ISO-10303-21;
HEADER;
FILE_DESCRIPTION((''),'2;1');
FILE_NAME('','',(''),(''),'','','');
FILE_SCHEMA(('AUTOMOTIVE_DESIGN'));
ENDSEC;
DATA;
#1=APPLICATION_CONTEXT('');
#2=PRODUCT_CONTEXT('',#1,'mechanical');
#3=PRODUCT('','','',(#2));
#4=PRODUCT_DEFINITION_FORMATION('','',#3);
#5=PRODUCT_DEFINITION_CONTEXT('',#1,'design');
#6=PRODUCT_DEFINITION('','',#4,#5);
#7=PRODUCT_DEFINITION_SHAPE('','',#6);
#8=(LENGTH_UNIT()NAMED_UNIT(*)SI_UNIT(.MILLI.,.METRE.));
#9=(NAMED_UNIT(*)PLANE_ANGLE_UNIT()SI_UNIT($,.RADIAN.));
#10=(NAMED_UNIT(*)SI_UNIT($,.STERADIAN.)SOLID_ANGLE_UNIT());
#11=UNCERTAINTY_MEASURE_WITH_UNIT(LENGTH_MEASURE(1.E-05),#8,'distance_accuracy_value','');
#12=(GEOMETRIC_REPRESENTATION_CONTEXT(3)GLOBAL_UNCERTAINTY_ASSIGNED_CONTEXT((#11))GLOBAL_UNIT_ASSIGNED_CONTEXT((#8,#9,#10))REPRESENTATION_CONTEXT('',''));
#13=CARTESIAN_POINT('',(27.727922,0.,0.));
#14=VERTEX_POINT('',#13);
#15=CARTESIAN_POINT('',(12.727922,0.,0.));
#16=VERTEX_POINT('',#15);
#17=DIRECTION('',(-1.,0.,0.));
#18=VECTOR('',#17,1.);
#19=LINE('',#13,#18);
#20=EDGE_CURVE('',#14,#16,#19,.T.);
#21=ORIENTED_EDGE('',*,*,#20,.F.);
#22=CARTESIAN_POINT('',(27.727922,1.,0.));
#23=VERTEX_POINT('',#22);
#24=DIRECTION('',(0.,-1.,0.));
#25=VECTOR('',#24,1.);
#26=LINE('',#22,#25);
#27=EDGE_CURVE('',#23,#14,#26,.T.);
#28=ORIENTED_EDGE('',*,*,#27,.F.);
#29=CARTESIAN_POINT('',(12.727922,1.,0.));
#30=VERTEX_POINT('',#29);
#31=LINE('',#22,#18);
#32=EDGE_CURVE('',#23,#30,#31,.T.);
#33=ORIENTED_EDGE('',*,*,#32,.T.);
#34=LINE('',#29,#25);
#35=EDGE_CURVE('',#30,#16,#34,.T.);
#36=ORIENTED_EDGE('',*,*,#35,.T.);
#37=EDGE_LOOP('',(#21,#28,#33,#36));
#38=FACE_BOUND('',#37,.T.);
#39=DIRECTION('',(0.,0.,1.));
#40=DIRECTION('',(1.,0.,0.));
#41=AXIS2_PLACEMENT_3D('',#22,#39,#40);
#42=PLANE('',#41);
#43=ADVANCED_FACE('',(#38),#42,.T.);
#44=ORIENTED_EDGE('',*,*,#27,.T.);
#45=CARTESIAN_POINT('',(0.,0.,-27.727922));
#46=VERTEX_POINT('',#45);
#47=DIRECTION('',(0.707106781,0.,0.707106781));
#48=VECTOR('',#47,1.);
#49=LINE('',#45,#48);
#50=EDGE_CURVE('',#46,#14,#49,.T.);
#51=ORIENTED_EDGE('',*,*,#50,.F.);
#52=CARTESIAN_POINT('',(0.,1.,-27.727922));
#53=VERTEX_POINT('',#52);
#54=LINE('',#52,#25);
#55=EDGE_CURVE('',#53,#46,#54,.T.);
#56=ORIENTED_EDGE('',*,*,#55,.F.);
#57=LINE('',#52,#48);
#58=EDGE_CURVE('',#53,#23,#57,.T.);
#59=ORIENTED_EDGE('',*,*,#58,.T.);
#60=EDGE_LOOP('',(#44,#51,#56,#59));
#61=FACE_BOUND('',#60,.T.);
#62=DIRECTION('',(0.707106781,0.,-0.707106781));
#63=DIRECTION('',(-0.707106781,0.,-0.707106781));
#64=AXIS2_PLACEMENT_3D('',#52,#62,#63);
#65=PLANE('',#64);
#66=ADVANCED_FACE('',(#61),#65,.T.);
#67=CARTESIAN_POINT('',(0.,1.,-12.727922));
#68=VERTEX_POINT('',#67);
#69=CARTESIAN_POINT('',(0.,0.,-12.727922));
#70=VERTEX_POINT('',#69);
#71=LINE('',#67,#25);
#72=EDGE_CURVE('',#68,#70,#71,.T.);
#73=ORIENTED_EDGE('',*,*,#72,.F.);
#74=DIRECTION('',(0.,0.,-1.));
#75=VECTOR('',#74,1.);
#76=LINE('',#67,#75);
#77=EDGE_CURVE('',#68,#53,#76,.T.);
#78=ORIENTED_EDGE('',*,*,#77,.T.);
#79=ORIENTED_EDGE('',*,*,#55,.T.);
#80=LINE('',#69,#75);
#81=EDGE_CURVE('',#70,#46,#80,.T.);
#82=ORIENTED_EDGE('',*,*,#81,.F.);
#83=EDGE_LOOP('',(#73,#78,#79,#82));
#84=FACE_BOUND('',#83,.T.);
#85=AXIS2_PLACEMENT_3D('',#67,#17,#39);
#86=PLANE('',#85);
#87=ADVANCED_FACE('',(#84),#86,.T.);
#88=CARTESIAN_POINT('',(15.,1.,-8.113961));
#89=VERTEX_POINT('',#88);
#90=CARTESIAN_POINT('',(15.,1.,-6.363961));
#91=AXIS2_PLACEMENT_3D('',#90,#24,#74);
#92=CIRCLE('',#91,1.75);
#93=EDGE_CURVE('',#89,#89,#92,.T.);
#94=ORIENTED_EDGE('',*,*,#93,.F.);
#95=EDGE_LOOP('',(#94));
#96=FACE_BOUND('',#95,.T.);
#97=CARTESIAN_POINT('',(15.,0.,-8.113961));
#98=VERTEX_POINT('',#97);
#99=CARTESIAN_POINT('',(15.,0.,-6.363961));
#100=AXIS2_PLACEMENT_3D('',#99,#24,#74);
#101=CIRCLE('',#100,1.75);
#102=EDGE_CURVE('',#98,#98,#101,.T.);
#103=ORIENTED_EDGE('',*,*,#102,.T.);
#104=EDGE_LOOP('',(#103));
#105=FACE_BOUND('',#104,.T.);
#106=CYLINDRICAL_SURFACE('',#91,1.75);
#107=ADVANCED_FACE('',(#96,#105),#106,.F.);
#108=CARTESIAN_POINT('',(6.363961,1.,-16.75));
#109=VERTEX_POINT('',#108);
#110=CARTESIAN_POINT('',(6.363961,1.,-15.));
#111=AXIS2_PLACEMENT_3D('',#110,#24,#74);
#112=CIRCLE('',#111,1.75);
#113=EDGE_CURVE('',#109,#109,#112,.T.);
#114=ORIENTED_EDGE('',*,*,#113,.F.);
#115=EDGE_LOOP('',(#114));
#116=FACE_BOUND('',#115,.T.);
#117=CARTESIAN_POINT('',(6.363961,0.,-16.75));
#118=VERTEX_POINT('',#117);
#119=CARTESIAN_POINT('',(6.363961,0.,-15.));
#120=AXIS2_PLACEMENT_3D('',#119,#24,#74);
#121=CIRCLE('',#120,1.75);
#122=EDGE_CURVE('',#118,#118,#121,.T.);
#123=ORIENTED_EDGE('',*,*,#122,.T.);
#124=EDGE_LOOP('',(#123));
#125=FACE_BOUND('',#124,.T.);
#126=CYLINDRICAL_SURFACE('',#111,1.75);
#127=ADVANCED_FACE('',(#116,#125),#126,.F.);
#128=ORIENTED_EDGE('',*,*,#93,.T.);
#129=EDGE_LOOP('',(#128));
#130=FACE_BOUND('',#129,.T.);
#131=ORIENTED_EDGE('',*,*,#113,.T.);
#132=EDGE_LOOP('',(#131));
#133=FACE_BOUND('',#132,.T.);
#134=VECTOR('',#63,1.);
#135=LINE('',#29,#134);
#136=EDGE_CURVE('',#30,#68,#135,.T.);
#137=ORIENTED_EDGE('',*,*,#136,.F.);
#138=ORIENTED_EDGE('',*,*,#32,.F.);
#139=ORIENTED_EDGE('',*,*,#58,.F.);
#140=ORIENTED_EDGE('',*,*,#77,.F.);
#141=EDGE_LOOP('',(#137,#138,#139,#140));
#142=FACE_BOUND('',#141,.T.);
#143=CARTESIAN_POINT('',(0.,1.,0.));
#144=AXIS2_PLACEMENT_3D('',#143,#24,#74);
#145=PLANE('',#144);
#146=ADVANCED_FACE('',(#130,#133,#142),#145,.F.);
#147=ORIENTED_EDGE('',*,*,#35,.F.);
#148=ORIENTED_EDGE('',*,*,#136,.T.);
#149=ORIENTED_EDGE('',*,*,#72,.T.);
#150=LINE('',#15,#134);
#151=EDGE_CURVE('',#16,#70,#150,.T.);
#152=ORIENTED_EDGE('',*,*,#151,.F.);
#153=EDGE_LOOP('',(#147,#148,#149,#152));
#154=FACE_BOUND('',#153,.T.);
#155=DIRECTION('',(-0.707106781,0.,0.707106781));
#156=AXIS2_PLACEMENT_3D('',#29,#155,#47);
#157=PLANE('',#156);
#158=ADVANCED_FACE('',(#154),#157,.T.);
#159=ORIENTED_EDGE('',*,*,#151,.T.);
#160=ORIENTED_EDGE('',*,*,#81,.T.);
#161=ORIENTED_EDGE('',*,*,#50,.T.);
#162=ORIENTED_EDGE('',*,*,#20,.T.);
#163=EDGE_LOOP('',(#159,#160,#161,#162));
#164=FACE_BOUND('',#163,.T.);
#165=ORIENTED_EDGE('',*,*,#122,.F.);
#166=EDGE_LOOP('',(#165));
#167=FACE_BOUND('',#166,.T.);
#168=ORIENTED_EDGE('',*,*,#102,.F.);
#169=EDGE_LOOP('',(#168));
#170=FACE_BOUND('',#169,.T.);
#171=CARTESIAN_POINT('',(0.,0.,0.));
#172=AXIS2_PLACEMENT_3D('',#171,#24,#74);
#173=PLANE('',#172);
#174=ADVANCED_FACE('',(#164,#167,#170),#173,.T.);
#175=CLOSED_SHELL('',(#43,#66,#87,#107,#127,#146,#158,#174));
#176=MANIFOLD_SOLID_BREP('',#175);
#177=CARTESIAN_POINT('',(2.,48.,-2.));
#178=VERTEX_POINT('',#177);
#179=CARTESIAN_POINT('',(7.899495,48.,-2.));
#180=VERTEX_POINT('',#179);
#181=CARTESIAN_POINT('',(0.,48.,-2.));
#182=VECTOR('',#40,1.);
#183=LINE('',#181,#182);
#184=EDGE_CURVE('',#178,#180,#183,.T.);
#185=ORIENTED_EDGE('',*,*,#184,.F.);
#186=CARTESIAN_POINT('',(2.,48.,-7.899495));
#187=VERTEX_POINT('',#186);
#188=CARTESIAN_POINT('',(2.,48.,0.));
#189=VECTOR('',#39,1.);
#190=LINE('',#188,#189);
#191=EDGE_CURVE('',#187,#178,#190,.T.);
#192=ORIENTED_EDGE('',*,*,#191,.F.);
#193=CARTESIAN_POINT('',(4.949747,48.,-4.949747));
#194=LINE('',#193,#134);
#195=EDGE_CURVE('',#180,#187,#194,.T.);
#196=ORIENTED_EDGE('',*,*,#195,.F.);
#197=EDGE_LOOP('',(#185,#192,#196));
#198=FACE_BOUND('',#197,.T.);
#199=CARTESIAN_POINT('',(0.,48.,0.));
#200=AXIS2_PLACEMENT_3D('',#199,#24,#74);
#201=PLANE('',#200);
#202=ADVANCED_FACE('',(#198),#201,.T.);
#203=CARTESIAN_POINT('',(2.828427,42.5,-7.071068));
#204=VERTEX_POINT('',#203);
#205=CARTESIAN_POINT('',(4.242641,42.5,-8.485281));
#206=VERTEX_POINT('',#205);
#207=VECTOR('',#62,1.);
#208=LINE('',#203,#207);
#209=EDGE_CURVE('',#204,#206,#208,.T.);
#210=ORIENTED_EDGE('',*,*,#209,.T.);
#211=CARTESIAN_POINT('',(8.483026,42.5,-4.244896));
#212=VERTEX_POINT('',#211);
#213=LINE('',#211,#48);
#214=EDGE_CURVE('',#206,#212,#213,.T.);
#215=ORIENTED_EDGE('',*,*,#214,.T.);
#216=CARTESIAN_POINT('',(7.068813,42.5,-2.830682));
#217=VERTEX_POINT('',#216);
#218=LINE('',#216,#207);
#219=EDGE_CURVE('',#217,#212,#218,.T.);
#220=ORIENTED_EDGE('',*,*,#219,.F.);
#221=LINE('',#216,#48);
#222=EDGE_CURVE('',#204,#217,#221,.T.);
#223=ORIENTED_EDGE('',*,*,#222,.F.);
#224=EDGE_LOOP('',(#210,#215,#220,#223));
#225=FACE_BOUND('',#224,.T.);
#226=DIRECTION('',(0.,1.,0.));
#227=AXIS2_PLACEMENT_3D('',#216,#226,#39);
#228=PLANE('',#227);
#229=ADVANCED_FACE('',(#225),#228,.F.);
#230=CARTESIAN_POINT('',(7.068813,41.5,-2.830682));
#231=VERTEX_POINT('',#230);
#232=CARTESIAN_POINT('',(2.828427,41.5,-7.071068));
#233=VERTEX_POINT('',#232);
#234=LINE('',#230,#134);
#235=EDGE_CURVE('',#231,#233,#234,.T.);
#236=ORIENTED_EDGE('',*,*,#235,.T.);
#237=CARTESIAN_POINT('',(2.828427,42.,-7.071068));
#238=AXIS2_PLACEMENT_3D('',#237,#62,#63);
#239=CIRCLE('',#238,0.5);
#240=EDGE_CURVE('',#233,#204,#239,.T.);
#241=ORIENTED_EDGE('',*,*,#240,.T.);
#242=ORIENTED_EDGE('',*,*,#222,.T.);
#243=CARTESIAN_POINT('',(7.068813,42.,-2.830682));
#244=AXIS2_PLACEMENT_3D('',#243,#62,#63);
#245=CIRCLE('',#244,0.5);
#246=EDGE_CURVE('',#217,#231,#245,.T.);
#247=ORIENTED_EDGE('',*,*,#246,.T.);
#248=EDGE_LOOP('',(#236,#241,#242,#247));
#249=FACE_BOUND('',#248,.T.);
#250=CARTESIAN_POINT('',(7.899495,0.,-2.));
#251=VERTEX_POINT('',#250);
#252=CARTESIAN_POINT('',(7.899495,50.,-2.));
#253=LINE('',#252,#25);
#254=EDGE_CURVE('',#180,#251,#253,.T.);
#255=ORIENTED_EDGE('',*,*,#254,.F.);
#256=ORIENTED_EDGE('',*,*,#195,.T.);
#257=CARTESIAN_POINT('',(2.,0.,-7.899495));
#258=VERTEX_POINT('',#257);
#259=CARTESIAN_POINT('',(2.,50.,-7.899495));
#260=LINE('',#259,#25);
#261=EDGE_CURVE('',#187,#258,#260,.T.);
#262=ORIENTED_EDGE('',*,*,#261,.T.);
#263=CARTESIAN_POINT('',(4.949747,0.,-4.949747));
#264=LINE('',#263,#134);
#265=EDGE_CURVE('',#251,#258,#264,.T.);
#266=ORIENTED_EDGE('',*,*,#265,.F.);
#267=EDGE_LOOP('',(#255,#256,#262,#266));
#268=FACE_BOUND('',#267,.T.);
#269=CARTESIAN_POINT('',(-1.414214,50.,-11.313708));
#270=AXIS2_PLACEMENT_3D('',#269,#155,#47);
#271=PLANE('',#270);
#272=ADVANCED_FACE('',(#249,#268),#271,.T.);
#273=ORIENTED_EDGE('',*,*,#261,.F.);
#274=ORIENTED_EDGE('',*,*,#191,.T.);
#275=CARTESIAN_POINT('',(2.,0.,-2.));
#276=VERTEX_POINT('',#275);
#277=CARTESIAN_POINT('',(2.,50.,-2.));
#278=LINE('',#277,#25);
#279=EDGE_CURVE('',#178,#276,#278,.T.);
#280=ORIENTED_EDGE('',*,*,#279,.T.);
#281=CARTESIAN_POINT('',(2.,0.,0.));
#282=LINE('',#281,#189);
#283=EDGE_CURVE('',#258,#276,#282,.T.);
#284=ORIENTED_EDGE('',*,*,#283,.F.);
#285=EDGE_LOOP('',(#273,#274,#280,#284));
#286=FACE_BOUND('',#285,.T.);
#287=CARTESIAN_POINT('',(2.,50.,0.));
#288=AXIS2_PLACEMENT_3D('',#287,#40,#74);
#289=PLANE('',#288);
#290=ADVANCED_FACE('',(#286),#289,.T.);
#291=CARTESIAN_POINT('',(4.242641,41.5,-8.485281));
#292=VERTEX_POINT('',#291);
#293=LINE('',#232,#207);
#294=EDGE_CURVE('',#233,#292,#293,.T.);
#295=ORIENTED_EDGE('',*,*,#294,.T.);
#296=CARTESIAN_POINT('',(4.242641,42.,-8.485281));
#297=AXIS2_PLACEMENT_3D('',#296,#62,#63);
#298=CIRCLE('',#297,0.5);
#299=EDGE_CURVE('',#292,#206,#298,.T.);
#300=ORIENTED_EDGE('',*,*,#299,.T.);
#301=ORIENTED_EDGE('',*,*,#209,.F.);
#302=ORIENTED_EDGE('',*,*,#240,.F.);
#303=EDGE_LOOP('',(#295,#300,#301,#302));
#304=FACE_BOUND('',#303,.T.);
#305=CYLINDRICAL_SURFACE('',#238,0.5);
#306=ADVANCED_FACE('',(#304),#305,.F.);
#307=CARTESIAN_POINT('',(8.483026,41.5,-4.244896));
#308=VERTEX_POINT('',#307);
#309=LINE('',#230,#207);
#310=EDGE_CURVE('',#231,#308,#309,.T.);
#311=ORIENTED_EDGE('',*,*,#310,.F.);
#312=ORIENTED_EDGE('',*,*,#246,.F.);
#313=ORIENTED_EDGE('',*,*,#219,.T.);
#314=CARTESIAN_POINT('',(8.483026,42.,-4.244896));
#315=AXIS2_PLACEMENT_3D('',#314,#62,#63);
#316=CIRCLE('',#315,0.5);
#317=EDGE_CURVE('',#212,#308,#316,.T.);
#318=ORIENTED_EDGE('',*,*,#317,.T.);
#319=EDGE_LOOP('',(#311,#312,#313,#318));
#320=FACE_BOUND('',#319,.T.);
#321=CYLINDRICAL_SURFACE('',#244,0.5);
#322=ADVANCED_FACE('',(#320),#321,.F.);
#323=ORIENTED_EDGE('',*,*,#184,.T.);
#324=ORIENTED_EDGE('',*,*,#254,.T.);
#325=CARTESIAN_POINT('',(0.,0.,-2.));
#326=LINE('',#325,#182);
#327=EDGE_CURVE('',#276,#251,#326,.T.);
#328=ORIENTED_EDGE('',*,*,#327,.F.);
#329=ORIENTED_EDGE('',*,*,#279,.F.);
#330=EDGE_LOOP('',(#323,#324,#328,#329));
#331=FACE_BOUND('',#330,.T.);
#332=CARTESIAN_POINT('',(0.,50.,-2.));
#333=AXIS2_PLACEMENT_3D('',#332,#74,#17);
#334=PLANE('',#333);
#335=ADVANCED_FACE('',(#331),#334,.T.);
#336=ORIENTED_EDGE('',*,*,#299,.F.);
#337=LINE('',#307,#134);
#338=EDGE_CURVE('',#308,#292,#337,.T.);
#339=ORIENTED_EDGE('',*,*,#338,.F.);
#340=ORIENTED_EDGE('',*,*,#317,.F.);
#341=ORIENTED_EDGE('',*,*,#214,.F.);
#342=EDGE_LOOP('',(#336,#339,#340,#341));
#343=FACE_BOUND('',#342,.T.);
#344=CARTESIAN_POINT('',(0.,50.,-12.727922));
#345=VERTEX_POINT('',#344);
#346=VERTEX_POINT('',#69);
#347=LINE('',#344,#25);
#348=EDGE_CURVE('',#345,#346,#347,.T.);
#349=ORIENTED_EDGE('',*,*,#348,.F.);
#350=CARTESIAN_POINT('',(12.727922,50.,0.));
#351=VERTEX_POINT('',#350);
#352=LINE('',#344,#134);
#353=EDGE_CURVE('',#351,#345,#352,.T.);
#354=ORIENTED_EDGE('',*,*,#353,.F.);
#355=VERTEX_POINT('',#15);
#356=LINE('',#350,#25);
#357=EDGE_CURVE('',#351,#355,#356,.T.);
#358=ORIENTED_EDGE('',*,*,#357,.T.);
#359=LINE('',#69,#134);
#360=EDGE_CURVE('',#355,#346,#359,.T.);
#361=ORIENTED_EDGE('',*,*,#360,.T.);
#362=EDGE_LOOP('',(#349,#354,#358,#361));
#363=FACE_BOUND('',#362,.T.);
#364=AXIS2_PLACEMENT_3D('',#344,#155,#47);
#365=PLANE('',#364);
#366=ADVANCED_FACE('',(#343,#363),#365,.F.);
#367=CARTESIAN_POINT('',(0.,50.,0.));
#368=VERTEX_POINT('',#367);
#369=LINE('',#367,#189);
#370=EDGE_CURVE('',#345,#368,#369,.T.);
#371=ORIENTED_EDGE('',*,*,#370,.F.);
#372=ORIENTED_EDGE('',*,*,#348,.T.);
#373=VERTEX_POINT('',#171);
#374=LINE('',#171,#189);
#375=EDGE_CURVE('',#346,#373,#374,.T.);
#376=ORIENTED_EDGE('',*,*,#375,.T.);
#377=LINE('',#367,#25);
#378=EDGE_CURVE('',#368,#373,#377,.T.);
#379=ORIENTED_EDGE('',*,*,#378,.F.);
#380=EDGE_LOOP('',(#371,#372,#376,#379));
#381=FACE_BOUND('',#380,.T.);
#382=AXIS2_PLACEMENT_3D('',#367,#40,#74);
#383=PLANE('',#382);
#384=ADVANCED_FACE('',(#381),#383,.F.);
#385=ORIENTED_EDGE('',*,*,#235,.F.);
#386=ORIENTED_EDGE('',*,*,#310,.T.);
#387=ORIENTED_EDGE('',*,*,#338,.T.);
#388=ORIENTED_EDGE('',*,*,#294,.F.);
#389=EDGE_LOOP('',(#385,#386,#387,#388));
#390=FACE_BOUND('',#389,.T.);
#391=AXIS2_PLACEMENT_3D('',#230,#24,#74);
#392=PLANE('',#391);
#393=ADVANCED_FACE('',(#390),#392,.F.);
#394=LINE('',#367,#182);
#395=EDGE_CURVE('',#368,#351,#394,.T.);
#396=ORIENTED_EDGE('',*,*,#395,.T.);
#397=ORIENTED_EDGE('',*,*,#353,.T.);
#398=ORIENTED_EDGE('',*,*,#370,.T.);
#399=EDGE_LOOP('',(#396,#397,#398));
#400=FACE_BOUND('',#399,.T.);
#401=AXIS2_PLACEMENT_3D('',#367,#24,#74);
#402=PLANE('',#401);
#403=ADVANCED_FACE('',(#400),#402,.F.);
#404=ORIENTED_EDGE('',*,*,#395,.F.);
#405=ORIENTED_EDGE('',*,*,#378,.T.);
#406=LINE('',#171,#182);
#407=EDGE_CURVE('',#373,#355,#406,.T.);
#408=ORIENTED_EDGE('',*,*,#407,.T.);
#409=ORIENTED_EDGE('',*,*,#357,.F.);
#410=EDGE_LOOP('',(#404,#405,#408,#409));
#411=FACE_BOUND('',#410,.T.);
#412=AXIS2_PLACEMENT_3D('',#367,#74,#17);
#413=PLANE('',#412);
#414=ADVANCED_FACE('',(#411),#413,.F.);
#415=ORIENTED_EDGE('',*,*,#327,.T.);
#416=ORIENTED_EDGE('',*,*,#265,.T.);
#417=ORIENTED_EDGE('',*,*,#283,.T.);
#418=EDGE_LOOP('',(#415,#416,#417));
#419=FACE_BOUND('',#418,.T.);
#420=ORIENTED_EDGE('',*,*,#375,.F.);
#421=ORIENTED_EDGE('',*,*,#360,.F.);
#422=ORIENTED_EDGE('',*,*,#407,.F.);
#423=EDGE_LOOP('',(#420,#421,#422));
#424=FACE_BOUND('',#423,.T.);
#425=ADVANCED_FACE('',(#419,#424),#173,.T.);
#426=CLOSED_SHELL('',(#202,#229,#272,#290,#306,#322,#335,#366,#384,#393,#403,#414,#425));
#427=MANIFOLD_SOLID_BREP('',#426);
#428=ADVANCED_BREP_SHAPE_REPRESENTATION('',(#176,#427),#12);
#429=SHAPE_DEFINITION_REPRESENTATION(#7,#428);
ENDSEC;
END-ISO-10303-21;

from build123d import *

# Parameters (mm, degrees)
EXTRUDE_1_DEPTH     = 50
EXTRUDE_2_DEPTH     = 1
SKETCH_3_R          = 1.75
CUT_EXTRUDE_1_DEPTH = 1
SHELL_1_T           = -2
CUT_EXTRUDE_2_DEPTH = 2


with BuildPart() as part:
    # 草图1 → 凸台-拉伸1 (new body)
    with BuildSketch(Plane(origin=(0, 0, 0), x_dir=(1, 0, 0), z_dir=(0, 1, 0))):
        Polygon((0, 0), (12.727922061, 0), (0, 12.727922061), align=None)
    extrude(amount=EXTRUDE_1_DEPTH)

    # 抽壳1
    shell_1_openings = [part.faces().sort_by_distance(p)[0] for p in [
        (4.242640687, 0, -4.242640687),
    ]]
    offset(amount=SHELL_1_T, openings=shell_1_openings, kind=Kind.INTERSECTION)

    # 草图4 → 切除-拉伸2 (cut)
    with BuildSketch(Plane(origin=(6.363961031, 0, -6.363961031), x_dir=(-0.7071067811865475, 0, -0.7071067811865477), z_dir=(0.7071067811865477, 0, -0.7071067811865475))):
        with BuildLine():
            Line((-2.996811013, 42.5), (3, 42.5))
            ThreePointArc((3, 42.5), (3.5, 42), (3, 41.5))
            Line((3, 41.5), (-2.996811013, 41.5))
            ThreePointArc((-2.996811013, 41.5), (-3.496811013, 42), (-2.996811013, 42.5))
        make_face()
    extrude(amount=-CUT_EXTRUDE_2_DEPTH, mode=Mode.SUBTRACT)


with BuildPart() as body_2:
    # 草图2 → 凸台-拉伸2 (new body)
    with BuildSketch(Plane(origin=(0, 0, 0), x_dir=(-1, 0, 0), z_dir=(0, -1, 0))):
        Polygon((0, 12.727922061), (0, 27.727922061), (-27.727922061, 0), (-12.727922061, 0), align=None)
    extrude(amount=-EXTRUDE_2_DEPTH)

    # 草图3 → 切除-拉伸1 (cut)
    with BuildSketch(Plane(origin=(0, 0, 0), x_dir=(-1, 0, 0), z_dir=(0, -1, 0))):
        with Locations(Location((-15, 6.363961031, 0), (0, 0, 90))):
            Circle(SKETCH_3_R)
        with Locations(Location((-6.363961031, 15, 0), (0, 0, 90))):
            Circle(SKETCH_3_R)
    extrude(amount=-CUT_EXTRUDE_1_DEPTH, mode=Mode.SUBTRACT)


solid = Compound([part.part, body_2.part])
